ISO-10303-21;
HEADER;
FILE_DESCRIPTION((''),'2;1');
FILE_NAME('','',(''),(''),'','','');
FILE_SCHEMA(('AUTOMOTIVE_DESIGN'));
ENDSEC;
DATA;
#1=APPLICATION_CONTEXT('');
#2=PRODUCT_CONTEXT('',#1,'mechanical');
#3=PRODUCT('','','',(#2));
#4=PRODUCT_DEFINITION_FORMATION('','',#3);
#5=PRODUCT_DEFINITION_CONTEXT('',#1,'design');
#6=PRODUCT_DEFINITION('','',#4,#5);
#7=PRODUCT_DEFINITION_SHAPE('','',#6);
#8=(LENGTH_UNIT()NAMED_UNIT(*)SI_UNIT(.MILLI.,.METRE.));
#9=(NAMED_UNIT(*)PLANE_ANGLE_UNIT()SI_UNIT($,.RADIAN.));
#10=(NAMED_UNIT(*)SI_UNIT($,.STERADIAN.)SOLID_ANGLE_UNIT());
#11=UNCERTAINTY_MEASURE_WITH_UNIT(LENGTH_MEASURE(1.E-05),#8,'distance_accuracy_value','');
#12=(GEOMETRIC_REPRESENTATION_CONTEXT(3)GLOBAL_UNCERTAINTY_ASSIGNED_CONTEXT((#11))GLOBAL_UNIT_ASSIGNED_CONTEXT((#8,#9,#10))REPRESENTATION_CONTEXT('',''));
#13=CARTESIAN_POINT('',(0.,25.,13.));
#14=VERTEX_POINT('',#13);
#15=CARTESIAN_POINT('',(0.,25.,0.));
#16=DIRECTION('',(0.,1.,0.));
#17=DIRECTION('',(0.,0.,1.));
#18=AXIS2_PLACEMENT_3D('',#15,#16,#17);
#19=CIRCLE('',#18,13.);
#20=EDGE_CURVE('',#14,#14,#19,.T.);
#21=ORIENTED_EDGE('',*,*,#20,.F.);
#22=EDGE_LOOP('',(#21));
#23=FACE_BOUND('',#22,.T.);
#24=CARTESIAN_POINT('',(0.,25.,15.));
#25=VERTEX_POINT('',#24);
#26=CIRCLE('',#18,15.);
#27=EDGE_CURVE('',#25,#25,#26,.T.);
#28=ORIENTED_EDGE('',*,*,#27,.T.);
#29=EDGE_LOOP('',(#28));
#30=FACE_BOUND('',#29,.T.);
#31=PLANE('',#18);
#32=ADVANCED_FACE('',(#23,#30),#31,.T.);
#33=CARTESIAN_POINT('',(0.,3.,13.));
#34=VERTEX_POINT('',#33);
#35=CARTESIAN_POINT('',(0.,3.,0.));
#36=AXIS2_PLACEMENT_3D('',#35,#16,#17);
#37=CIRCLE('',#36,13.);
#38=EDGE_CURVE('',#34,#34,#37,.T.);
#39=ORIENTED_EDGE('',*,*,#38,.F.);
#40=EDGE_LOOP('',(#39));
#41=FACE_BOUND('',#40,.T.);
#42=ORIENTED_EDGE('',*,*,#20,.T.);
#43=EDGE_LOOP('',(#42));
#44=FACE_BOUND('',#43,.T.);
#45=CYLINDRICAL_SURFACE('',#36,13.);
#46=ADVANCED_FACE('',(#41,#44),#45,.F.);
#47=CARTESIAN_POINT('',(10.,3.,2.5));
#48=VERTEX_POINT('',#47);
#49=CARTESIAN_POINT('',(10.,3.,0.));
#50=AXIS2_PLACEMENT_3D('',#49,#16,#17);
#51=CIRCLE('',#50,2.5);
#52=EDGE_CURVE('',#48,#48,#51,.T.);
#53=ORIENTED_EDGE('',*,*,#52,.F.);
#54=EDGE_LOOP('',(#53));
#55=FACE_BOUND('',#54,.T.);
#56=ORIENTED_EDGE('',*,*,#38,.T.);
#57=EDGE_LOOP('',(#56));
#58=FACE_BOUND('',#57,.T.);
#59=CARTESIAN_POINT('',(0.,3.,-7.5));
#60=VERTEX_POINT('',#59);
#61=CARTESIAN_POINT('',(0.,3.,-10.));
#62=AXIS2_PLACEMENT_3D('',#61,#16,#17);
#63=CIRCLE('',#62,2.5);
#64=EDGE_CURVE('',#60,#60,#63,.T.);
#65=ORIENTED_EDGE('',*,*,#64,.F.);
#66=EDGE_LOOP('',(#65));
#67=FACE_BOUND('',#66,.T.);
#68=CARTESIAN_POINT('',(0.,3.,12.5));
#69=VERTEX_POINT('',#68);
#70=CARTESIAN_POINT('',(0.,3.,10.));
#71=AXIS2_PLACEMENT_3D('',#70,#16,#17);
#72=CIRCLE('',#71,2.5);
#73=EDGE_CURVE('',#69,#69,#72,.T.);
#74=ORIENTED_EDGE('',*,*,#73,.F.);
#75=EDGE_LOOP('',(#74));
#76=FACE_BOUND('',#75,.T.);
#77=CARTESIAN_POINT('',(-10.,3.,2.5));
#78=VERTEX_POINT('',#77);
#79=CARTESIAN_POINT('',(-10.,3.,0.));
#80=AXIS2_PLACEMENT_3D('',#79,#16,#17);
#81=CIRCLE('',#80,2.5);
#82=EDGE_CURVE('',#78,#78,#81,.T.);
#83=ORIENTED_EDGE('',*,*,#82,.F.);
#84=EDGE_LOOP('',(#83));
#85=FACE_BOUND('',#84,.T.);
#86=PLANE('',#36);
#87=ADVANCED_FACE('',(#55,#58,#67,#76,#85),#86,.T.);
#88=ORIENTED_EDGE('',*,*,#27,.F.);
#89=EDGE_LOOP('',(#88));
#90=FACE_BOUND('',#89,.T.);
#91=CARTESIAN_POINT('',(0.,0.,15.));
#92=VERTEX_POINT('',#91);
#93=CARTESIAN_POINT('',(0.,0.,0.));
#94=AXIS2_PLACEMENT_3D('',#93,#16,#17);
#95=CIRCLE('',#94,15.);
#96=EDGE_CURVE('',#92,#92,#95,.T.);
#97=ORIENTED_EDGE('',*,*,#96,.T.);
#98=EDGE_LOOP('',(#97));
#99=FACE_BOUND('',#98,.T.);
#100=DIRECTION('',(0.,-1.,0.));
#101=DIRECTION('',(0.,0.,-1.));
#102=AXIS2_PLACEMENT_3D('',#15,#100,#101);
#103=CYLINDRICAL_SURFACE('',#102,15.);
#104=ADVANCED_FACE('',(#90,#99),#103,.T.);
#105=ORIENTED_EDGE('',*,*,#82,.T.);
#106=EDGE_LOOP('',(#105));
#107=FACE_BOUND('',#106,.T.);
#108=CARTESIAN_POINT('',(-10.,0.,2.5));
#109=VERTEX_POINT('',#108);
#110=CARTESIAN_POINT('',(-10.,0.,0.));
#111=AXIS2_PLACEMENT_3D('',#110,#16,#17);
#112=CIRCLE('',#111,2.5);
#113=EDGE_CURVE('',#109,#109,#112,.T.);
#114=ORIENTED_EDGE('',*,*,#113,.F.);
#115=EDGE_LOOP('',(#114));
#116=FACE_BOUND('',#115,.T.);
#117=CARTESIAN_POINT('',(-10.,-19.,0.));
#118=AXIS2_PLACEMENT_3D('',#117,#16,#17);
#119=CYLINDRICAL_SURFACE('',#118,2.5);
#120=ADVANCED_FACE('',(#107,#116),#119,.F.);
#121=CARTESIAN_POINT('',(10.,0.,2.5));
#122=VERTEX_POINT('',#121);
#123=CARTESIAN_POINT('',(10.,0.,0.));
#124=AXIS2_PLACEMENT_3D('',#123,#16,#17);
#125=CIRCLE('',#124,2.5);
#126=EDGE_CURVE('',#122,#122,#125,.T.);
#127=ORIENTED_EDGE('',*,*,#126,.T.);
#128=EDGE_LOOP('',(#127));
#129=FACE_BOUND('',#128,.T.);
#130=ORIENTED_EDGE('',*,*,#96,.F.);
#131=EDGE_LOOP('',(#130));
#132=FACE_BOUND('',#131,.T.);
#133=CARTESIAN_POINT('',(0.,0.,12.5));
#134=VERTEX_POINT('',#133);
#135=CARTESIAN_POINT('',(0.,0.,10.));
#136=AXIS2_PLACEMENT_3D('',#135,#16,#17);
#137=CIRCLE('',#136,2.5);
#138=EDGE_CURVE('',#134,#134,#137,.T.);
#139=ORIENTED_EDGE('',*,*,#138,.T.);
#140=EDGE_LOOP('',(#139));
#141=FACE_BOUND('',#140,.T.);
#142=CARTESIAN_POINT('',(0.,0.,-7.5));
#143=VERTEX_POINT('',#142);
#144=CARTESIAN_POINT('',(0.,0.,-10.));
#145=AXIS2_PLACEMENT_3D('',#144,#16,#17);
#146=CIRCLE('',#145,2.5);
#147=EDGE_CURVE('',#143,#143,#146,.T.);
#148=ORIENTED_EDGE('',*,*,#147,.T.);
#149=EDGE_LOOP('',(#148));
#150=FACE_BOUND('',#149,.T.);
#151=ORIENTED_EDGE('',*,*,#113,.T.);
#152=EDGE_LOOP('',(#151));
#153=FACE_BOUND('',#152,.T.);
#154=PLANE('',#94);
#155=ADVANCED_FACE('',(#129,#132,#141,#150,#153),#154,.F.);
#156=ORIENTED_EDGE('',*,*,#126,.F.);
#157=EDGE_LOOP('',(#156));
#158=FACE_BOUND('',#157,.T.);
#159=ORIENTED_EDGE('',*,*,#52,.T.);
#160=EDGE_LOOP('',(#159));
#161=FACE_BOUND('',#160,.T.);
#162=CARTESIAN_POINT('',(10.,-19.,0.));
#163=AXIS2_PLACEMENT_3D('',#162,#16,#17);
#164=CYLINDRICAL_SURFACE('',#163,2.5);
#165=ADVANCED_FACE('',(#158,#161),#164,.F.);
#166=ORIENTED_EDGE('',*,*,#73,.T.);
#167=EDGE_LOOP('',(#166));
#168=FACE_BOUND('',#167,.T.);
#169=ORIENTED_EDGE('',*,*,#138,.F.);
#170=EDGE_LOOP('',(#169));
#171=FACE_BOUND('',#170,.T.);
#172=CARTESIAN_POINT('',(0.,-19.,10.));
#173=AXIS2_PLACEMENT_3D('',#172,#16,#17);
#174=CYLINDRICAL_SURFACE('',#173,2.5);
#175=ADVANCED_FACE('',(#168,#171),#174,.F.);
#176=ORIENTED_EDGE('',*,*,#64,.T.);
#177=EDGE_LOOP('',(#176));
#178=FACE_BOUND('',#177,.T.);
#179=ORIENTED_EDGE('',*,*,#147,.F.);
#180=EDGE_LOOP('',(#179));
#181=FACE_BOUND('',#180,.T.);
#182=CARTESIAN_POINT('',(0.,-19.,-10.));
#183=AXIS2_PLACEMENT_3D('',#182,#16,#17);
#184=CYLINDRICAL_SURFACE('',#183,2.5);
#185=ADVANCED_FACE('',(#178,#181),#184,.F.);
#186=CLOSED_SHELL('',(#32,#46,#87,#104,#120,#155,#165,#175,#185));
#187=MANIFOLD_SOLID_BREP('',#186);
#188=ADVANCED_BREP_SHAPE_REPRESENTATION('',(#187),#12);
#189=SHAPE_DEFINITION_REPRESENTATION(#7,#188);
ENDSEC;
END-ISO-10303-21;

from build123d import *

# Parameters (mm, degrees)
SKETCH3_R           = 15
BOSS_EXTRUDE1_DEPTH = 25
SKETCH4_R           = 13
CUT_EXTRUDE1_DEPTH  = 22
SKETCH5_R           = 2.5
CUT_EXTRUDE2_DEPTH  = 22


with BuildPart() as part:
    # Sketch3 → Boss-Extrude1 (new body)
    with BuildSketch(Plane(origin=(0, 0, 0), x_dir=(1, 0, 0), z_dir=(0, 1, 0))):
        with Locations(Location((0, 0, 0), (0, 0, 270))):
            Circle(SKETCH3_R)
    extrude(amount=BOSS_EXTRUDE1_DEPTH)

    # Sketch4 → Cut-Extrude1 (cut)
    with BuildSketch(Plane(origin=(0, 25, 0), x_dir=(1, 0, 0), z_dir=(0, 1, 0))):
        with Locations(Location((0, 0, 0), (0, 0, 270))):
            Circle(SKETCH4_R)
    extrude(amount=-CUT_EXTRUDE1_DEPTH, mode=Mode.SUBTRACT)

    # Sketch5 → Cut-Extrude2 (cut)
    with BuildSketch(Plane(origin=(0, 3, 0), x_dir=(1, 0, 0), z_dir=(0, 1, 0))):
        with Locations(Location((10, 0, 0), (0, 0, 270))):
            Circle(SKETCH5_R)
        with Locations(Location((0, -10, 0), (0, 0, 270))):
            Circle(SKETCH5_R)
        with Locations(Location((-10, 0, 0), (0, 0, 270))):
            Circle(SKETCH5_R)
        with Locations(Location((0, 10, 0), (0, 0, 270))):
            Circle(SKETCH5_R)
    extrude(amount=-CUT_EXTRUDE2_DEPTH, mode=Mode.SUBTRACT)


solid = part.part
